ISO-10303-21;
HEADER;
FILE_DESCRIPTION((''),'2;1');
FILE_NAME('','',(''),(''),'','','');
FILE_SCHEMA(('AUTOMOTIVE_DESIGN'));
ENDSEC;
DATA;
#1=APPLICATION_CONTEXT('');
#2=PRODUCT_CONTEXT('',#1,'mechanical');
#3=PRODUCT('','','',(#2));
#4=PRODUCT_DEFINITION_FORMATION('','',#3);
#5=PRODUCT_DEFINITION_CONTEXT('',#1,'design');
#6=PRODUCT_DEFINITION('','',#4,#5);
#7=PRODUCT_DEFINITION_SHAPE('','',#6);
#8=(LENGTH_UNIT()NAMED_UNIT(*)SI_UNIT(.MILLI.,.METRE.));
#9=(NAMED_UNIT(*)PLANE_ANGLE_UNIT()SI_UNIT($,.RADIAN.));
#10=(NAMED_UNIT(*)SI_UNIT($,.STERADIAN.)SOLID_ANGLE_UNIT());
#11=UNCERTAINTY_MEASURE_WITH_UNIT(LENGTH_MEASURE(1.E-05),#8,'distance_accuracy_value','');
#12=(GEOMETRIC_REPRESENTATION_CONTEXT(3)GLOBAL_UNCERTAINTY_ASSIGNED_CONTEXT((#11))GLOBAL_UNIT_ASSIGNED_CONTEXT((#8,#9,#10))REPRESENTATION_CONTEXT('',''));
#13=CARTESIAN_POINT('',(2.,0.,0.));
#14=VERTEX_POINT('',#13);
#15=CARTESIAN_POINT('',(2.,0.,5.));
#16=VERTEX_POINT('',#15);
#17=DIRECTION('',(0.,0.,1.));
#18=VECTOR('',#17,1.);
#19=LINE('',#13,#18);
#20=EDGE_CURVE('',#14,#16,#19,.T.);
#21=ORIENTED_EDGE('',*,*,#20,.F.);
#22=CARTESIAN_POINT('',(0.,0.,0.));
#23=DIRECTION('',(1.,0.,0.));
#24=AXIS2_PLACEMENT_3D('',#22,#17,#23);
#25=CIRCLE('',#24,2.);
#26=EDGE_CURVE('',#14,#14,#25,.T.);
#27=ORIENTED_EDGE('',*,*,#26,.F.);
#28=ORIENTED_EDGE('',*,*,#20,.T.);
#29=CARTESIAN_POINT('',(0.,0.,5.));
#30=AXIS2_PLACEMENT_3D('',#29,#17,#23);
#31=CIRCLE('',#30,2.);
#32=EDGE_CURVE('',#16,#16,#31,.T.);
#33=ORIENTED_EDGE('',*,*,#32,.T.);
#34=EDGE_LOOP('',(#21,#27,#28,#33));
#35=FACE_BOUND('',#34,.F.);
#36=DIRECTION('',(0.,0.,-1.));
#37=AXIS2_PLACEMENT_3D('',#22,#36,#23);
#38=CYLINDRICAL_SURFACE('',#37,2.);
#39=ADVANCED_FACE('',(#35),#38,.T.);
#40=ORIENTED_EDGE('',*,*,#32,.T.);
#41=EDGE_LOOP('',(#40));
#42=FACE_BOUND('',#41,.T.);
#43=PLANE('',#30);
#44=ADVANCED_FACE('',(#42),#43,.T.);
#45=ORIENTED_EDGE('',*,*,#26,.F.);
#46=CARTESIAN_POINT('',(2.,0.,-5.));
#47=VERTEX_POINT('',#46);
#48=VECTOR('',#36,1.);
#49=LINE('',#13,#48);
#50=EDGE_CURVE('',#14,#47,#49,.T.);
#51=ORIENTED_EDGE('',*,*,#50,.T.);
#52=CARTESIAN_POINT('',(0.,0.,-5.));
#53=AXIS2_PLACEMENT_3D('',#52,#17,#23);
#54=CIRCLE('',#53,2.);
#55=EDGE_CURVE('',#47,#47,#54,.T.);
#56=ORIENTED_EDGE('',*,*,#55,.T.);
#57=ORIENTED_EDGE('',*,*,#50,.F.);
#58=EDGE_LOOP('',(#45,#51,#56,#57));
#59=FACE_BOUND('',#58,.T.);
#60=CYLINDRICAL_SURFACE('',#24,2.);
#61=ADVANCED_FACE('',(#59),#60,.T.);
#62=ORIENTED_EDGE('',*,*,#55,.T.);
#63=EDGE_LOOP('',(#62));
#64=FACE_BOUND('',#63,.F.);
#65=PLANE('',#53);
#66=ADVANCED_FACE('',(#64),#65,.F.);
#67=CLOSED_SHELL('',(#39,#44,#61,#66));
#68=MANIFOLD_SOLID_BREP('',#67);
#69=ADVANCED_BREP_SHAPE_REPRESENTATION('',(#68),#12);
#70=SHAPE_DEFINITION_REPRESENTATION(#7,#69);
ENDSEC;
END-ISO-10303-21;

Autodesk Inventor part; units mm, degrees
ref_plane "YZ Plane" through (0, 0, 0) normal (1, 0, 0) x (0, 1, 0)
ref_plane "XZ Plane" through (0, 0, 0) normal (0, 1, 0) x (-1, 0, 0)
ref_plane "XY Plane" through (0, 0, 0) normal (0, 0, 1) x (1, 0, 0)
sketch "草圖1" plane through (0, 0, 0) normal (0, 0, 1) x (1, 0, 0)
  circle A0 centre (0, 0) radius 2
  dimension "d0" = 4
extrude "擠出1" add sketch "草圖1" along normal mid plane 10
properties part number "銷"
